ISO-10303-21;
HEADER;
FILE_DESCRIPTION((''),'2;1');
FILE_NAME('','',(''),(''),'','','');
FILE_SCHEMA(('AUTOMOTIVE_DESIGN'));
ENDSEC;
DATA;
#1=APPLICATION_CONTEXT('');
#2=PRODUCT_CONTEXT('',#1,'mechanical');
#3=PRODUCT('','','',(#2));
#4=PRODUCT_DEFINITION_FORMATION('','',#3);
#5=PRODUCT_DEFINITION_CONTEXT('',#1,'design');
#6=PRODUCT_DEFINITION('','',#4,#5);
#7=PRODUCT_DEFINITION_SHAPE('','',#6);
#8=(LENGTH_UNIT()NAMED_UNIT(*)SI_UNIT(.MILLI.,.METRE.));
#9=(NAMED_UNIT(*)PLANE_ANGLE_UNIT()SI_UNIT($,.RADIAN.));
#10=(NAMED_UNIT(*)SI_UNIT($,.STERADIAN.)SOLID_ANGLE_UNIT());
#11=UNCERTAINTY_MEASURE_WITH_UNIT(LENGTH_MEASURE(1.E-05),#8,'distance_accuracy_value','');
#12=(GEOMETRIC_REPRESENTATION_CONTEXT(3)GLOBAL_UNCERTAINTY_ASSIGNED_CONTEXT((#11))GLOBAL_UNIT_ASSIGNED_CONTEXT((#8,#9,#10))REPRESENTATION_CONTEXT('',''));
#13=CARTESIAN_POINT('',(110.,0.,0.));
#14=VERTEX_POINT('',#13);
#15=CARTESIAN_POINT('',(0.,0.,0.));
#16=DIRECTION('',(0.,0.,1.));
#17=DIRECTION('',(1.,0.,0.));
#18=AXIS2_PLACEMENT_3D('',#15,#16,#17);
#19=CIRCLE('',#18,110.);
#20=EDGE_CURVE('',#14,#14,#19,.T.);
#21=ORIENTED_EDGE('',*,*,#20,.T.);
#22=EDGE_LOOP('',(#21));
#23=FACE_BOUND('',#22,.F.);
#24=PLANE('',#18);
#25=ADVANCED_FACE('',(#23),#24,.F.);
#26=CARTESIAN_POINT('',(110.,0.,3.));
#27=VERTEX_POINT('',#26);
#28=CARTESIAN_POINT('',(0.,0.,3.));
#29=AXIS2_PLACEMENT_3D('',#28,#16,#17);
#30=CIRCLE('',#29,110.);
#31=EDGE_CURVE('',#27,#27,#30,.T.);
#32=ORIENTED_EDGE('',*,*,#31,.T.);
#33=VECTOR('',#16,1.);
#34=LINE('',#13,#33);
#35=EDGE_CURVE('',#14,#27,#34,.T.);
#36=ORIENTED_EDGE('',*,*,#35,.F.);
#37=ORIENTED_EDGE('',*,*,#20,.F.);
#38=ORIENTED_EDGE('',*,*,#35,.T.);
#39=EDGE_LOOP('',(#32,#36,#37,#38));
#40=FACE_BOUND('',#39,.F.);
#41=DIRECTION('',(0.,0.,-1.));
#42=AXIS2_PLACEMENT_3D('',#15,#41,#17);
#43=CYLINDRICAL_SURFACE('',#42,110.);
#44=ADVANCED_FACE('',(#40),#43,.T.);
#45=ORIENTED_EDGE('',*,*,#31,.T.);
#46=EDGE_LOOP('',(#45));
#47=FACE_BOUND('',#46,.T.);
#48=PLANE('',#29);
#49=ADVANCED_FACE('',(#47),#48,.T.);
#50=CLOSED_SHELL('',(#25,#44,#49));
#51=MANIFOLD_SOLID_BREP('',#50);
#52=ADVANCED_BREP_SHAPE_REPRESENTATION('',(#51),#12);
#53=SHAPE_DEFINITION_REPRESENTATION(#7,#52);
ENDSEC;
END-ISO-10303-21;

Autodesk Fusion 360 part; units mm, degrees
sketch "Skizze1" plane through (0, 0, 0) normal (0, 0, 1) x (1, 0, 0)
  circle A0 centre (0, 0) radius 110
  dimension "d1" = 220
extrude "Extrusion1" add sketch "Skizze1" along normal blind 3
